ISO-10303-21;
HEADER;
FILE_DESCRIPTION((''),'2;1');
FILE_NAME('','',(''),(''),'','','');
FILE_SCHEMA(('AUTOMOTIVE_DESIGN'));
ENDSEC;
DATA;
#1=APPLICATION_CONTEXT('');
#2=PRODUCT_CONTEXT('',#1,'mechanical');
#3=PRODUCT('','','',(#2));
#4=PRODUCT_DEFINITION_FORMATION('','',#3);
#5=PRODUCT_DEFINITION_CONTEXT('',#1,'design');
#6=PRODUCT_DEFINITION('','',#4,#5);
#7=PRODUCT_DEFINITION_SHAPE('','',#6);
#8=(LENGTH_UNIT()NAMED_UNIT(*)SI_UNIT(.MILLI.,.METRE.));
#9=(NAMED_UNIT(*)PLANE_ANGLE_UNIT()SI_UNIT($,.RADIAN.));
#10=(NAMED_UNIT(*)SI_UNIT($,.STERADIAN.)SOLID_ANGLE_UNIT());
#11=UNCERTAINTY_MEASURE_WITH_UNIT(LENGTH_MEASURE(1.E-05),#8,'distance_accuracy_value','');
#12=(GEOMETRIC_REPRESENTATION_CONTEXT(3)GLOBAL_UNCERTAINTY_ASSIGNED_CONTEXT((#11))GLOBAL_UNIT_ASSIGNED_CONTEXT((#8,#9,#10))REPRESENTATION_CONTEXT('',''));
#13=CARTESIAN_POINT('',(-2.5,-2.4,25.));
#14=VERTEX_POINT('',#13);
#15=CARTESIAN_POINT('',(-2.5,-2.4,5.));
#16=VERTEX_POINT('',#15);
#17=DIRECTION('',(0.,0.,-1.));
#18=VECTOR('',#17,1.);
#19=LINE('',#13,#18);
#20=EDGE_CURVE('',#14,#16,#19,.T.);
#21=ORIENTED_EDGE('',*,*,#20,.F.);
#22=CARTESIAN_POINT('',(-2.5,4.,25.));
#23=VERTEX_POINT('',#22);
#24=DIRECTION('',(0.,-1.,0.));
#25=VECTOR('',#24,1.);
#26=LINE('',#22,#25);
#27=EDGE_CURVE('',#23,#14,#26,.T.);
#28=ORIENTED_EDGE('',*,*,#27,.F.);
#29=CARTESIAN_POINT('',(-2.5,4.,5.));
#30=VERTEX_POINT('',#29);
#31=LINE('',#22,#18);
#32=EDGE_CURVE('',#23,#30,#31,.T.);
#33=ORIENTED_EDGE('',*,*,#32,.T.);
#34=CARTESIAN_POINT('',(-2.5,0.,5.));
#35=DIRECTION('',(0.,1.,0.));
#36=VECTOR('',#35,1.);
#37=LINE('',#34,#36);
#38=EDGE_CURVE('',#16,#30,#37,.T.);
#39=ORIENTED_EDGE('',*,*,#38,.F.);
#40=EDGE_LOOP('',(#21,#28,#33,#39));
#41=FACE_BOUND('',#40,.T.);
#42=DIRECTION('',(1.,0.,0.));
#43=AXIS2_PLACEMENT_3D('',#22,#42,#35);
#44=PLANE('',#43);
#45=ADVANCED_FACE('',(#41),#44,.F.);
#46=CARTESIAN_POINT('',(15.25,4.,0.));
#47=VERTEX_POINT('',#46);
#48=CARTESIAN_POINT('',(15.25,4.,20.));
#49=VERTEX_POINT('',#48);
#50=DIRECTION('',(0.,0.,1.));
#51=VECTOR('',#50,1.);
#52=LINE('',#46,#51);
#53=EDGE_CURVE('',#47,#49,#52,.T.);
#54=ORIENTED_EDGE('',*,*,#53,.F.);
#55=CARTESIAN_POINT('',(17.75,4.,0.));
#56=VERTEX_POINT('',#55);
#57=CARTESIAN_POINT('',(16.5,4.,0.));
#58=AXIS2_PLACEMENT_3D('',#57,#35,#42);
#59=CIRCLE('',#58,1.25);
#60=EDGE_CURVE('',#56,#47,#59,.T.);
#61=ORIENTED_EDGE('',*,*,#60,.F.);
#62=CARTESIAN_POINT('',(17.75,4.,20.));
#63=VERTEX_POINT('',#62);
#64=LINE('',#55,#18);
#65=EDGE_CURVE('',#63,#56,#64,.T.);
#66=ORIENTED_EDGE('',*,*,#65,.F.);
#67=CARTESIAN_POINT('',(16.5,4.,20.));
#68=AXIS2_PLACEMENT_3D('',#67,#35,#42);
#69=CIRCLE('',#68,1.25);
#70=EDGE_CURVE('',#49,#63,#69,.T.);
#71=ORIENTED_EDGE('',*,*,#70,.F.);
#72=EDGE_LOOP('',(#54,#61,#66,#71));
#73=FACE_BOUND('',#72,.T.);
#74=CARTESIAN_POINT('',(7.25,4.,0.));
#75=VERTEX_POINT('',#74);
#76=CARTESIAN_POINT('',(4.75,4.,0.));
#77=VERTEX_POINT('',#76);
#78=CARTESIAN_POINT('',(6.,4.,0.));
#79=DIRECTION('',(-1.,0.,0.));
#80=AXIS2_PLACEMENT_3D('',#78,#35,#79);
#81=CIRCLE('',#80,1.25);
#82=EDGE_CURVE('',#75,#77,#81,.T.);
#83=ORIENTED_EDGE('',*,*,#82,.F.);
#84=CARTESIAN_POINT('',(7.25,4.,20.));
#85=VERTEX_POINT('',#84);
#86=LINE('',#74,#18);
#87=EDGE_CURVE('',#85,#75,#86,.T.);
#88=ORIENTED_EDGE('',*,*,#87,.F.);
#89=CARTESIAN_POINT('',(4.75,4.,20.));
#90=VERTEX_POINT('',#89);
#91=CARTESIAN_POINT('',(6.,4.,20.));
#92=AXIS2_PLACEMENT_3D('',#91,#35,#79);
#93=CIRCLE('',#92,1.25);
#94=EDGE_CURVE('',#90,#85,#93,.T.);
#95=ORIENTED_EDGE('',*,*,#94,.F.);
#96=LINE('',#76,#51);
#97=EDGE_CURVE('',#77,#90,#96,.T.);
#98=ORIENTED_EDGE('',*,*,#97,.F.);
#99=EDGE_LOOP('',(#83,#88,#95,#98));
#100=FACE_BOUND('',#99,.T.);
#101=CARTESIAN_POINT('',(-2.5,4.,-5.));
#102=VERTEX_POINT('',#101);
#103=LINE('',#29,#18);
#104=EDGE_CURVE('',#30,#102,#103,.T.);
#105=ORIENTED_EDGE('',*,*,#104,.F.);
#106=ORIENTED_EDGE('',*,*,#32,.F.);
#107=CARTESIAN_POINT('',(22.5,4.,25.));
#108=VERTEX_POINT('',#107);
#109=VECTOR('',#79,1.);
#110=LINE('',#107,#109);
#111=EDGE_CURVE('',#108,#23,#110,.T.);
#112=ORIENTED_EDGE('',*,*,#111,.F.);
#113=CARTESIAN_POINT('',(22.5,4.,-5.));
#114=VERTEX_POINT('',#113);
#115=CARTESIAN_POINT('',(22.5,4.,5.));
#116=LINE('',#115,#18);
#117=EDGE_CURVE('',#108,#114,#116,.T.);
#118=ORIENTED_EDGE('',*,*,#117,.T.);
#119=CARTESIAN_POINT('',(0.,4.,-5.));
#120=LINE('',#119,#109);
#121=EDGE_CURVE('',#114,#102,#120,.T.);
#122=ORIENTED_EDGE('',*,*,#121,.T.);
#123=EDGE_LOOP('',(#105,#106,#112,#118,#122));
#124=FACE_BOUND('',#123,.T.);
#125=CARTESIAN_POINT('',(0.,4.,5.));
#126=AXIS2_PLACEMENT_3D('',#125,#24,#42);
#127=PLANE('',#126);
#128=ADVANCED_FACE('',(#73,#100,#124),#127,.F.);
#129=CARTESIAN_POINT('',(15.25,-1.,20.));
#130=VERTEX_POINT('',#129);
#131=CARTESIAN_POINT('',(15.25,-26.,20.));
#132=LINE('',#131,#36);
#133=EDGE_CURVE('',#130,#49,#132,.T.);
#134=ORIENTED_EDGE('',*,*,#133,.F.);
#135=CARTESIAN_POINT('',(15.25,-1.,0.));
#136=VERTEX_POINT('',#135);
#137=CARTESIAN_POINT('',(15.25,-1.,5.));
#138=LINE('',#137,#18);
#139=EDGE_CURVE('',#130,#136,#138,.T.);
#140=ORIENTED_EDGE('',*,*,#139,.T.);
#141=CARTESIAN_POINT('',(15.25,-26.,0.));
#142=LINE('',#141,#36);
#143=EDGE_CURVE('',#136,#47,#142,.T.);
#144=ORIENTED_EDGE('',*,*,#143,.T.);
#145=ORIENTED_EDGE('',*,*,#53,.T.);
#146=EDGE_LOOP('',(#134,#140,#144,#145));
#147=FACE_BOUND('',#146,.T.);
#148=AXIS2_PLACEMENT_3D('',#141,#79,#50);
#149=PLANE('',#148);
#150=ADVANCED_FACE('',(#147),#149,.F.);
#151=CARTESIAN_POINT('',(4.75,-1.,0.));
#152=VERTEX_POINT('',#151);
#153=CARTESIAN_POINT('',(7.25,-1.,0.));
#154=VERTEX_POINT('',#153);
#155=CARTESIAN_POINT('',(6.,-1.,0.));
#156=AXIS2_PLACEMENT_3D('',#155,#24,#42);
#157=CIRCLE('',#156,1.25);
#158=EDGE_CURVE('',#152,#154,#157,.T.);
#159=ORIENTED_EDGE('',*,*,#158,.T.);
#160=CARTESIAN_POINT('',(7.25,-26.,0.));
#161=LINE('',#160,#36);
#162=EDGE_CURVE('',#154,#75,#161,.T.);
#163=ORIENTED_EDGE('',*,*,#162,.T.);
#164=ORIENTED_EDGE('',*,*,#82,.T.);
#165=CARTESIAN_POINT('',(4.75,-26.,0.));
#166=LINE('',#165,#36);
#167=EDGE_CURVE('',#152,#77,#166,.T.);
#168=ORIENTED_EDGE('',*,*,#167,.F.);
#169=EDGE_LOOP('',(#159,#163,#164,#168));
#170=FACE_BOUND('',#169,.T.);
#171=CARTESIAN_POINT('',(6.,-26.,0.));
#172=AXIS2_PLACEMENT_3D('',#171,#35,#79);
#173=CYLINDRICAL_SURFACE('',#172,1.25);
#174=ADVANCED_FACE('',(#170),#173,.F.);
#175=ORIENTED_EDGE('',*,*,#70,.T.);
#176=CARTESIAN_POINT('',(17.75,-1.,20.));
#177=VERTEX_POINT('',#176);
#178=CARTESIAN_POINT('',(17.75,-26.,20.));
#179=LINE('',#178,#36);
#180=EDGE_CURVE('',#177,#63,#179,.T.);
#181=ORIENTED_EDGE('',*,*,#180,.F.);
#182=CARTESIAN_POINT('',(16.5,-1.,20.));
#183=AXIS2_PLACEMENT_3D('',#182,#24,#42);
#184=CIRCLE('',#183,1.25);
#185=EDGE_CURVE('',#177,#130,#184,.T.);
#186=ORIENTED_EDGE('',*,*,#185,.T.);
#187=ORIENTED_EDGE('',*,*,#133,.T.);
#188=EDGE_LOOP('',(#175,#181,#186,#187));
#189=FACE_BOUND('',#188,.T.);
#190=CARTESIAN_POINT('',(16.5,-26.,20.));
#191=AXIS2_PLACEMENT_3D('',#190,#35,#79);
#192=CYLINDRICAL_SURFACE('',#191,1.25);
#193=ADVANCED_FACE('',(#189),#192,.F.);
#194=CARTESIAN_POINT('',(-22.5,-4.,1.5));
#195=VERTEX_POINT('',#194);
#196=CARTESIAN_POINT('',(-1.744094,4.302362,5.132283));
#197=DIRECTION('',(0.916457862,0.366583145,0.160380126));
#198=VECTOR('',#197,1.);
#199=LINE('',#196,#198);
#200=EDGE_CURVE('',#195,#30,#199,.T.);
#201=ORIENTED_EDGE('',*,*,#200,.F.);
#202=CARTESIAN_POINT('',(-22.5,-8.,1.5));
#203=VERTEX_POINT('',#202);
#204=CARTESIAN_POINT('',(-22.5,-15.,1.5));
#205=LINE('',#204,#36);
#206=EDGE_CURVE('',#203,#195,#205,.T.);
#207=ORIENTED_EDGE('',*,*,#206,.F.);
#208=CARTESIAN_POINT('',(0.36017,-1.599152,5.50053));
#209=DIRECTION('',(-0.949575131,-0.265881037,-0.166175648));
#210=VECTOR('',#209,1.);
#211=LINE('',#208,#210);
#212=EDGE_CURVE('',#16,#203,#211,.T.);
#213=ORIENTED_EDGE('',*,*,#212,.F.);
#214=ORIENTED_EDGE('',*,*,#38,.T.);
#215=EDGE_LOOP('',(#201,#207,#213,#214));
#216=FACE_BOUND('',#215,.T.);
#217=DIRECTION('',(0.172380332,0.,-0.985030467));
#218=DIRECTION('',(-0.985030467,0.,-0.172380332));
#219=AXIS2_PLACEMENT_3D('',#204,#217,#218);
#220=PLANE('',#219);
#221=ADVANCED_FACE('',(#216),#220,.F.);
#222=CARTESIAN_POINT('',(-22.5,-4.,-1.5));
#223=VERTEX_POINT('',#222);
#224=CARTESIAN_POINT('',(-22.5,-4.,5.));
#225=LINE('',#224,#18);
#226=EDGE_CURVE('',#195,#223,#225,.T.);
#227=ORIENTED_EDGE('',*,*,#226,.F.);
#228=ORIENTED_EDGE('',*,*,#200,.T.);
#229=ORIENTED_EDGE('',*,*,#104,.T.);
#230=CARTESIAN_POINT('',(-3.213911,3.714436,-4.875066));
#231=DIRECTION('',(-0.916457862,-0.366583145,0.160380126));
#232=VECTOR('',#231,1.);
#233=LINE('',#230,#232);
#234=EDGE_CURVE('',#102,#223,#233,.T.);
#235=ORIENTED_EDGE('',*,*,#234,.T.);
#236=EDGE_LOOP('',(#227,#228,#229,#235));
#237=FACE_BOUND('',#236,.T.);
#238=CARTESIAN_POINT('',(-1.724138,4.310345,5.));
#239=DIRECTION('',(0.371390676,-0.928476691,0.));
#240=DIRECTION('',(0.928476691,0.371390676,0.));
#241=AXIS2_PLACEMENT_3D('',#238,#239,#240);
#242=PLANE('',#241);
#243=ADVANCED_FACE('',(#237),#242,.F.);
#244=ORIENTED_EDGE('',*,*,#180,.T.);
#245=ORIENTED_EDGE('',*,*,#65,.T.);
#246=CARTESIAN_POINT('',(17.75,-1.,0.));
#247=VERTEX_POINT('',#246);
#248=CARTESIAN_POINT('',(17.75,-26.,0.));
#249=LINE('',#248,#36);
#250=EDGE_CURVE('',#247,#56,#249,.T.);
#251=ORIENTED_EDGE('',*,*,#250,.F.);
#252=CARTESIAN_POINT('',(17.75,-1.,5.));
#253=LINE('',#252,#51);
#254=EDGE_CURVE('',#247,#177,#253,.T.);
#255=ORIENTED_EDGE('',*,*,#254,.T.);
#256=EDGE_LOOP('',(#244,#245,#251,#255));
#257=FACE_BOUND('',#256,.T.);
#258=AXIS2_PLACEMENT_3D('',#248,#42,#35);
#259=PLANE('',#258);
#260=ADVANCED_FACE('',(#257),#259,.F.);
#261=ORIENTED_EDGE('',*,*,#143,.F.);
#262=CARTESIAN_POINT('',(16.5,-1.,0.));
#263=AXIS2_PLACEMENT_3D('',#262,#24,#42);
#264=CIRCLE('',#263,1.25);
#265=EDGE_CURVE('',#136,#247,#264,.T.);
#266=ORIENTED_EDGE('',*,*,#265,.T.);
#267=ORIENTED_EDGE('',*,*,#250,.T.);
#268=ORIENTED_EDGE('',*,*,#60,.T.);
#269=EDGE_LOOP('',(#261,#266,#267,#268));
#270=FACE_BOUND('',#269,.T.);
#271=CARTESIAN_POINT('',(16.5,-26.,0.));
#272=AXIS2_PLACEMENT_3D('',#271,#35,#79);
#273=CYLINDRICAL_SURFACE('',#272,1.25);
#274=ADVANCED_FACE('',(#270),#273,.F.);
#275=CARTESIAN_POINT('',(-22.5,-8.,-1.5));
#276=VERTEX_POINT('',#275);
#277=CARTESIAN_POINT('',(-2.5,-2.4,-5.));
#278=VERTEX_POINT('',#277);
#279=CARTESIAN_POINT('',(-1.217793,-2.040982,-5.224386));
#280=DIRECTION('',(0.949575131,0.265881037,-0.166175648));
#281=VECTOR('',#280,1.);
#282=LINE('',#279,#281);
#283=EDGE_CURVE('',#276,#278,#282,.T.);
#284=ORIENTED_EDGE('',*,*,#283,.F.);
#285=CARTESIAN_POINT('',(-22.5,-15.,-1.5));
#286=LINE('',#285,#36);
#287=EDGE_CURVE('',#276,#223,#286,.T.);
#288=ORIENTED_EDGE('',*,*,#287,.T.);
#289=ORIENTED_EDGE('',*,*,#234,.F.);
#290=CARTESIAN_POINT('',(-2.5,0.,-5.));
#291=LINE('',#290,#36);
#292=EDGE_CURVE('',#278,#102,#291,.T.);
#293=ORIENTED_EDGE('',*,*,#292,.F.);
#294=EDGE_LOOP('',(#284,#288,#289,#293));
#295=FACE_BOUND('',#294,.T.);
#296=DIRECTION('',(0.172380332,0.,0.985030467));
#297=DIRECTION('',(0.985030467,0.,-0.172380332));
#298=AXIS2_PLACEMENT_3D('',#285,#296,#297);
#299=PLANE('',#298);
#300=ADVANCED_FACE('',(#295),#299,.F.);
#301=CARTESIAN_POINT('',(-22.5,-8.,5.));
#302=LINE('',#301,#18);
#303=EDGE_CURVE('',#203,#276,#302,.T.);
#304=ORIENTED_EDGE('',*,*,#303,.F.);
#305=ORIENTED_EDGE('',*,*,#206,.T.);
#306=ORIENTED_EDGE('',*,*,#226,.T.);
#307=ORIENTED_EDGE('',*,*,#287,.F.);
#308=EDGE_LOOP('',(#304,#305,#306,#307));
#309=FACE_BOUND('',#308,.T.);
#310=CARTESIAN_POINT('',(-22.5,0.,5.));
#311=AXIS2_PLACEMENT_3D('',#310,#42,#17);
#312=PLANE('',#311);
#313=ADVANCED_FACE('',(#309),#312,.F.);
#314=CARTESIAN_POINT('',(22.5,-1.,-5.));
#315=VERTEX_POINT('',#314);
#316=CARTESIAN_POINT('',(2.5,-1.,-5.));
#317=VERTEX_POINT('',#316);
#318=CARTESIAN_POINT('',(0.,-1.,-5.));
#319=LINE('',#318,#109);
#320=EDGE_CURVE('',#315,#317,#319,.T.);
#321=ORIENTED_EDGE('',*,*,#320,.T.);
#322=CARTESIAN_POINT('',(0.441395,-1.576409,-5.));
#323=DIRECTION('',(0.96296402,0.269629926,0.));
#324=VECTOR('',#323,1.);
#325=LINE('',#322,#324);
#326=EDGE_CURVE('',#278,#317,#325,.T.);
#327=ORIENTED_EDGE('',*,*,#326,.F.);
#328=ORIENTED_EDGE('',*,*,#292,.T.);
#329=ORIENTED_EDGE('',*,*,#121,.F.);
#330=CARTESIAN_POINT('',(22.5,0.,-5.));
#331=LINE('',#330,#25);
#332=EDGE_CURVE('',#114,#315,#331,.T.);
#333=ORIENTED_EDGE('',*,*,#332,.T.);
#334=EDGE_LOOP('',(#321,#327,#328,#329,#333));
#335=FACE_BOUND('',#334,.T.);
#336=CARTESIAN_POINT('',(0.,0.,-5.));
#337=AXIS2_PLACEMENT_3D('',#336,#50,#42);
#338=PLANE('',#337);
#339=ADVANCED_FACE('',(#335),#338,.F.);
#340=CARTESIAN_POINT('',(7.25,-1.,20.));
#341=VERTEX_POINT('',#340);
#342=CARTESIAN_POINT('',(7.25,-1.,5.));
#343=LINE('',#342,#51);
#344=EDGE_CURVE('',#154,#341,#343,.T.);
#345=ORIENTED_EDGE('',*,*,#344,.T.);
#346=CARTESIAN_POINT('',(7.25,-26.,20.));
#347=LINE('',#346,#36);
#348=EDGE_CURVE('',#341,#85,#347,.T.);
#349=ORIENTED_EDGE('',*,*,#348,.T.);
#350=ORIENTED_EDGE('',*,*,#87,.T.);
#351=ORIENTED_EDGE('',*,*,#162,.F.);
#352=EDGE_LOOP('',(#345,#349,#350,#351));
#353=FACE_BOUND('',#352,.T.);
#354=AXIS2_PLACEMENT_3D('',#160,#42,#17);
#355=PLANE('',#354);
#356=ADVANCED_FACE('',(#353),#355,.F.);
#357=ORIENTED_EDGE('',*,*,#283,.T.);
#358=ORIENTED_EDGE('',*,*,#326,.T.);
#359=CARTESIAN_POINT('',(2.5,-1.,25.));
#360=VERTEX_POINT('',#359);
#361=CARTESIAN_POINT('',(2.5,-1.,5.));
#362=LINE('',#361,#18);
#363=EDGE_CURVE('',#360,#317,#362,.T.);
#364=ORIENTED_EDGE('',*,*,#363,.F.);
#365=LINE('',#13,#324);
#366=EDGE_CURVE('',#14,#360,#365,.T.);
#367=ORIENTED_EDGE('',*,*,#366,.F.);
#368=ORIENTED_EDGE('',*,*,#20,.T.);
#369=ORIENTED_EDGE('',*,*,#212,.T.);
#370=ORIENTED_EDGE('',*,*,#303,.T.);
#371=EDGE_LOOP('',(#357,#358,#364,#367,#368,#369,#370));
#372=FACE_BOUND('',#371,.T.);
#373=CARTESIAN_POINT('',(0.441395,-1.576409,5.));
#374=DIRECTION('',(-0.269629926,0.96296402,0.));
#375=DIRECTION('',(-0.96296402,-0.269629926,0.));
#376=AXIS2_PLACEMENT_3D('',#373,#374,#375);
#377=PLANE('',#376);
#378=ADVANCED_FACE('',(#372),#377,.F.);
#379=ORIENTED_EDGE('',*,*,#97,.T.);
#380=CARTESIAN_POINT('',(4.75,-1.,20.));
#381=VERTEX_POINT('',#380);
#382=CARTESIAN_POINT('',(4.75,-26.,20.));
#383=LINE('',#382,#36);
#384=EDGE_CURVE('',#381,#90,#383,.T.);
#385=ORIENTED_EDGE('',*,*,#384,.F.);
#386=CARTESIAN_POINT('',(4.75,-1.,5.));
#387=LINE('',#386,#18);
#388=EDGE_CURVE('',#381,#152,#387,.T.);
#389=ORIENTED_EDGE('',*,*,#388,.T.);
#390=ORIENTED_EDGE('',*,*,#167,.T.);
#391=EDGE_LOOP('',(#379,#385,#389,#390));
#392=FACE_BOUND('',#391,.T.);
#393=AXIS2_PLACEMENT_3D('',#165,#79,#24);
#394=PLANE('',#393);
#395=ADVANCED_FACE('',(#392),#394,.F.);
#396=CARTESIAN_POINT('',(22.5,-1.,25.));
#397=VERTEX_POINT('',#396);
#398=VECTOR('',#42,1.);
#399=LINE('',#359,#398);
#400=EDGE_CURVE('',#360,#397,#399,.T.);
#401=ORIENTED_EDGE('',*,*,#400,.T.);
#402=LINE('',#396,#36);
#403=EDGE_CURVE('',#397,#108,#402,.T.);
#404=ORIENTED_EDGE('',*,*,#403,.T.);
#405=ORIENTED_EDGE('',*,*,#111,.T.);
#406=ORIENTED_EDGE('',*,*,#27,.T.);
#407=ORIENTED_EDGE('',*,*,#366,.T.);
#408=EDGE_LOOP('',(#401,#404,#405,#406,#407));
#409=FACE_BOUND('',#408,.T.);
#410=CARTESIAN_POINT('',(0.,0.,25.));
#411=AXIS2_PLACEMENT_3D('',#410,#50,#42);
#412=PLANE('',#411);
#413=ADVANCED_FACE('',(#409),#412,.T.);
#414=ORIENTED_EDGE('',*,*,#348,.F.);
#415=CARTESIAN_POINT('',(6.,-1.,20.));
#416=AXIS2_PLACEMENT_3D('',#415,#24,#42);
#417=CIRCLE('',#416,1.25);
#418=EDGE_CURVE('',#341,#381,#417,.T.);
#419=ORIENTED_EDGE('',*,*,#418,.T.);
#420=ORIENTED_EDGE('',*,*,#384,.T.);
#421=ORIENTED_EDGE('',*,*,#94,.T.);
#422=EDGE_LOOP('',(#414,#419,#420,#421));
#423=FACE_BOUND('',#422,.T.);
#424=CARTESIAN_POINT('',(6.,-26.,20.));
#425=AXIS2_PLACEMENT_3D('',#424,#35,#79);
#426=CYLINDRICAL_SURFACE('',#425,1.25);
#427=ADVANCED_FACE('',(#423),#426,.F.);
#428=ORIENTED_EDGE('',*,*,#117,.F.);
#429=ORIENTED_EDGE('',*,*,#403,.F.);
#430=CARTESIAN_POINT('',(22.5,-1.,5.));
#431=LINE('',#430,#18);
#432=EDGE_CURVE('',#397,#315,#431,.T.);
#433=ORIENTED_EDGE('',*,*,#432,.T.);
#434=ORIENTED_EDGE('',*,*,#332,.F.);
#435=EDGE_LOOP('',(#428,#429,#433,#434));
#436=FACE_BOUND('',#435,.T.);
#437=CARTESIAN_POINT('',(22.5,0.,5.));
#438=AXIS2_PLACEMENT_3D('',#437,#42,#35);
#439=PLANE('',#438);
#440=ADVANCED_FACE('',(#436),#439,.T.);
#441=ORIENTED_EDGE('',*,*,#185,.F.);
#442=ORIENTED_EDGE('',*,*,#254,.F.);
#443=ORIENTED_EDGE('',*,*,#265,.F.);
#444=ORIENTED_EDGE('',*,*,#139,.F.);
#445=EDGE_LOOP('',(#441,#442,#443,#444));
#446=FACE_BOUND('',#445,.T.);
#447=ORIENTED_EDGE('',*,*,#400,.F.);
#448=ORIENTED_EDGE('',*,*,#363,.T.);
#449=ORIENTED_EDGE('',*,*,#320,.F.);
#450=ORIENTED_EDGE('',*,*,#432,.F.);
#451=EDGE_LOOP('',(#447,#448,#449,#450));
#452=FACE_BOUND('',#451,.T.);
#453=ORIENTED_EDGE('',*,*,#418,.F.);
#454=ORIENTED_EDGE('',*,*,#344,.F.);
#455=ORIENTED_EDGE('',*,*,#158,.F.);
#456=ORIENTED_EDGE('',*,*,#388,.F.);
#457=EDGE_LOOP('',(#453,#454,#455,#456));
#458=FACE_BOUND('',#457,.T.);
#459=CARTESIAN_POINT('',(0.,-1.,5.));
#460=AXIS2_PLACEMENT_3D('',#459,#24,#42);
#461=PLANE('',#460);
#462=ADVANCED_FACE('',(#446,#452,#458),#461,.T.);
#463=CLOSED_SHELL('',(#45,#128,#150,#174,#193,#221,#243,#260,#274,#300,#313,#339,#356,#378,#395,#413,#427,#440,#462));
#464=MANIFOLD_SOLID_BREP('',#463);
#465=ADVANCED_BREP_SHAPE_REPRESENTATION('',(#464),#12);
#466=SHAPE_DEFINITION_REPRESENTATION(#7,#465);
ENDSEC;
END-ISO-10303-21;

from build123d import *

# Parameters (mm, degrees)
SALIENTE_EXTRUIR1_DEPTH = 5
CORTAR_EXTRUIR1_DEPTH   = 15
SALIENTE_EXTRUIR2_DEPTH = 20
CORTAR_EXTRUIR2_DEPTH   = 30


with BuildPart() as part:
    # Croquis1 → Saliente-Extruir1 (new, symmetric)
    with BuildSketch(Plane.XY):
        Polygon((-2.5, 4), (2.5, -1), (-22.5, -8), (-22.5, -4), align=None)
        Polygon((22.5, 4), (-2.5, 4), (2.5, -1), (22.5, -1), align=None)
    extrude(amount=SALIENTE_EXTRUIR1_DEPTH, both=True)

    # Croquis3 → Cortar-Extruir1 (cut, symmetric)
    with BuildSketch(Plane(origin=(0, 0, 0), x_dir=(1, 0, 0), z_dir=(0, 1, 0))):
        Polygon((-22.5, 1.5), (-2.5, 5), (-22.5, 5), align=None)
        Polygon((-2.5, -5), (-22.5, -5), (-22.5, -1.5), align=None)
    extrude(amount=CORTAR_EXTRUIR1_DEPTH, both=True, mode=Mode.SUBTRACT)

    # Croquis5 → Saliente-Extruir2 (add)
    with BuildSketch(Plane.XY.offset(5)):
        Polygon((-2.5, 4), (-2.5, -2.4), (2.5, -1), (22.5, -1), (22.5, 4), align=None)
    extrude(amount=SALIENTE_EXTRUIR2_DEPTH)

    # Croquis2 → Cortar-Extruir2 (cut)
    with BuildSketch(Plane(origin=(0, 4, 0), x_dir=(1, 0, 0), z_dir=(0, 1, 0))):
        with BuildLine():
            Line((7.25, 0), (7.25, -20))
            ThreePointArc((7.25, -20), (6, -21.25), (4.75, -20))
            Line((4.75, -20), (4.75, 0))
            ThreePointArc((4.75, 0), (6, 1.25), (7.25, 0))
        make_face()
        with BuildLine():
            Line((15.25, 0), (15.25, -20))
            ThreePointArc((15.25, -20), (16.5, -21.25), (17.75, -20))
            Line((17.75, -20), (17.75, 0))
            ThreePointArc((17.75, 0), (16.5, 1.25), (15.25, 0))
        make_face()
    extrude(amount=-CORTAR_EXTRUIR2_DEPTH, mode=Mode.SUBTRACT)


solid = part.part
